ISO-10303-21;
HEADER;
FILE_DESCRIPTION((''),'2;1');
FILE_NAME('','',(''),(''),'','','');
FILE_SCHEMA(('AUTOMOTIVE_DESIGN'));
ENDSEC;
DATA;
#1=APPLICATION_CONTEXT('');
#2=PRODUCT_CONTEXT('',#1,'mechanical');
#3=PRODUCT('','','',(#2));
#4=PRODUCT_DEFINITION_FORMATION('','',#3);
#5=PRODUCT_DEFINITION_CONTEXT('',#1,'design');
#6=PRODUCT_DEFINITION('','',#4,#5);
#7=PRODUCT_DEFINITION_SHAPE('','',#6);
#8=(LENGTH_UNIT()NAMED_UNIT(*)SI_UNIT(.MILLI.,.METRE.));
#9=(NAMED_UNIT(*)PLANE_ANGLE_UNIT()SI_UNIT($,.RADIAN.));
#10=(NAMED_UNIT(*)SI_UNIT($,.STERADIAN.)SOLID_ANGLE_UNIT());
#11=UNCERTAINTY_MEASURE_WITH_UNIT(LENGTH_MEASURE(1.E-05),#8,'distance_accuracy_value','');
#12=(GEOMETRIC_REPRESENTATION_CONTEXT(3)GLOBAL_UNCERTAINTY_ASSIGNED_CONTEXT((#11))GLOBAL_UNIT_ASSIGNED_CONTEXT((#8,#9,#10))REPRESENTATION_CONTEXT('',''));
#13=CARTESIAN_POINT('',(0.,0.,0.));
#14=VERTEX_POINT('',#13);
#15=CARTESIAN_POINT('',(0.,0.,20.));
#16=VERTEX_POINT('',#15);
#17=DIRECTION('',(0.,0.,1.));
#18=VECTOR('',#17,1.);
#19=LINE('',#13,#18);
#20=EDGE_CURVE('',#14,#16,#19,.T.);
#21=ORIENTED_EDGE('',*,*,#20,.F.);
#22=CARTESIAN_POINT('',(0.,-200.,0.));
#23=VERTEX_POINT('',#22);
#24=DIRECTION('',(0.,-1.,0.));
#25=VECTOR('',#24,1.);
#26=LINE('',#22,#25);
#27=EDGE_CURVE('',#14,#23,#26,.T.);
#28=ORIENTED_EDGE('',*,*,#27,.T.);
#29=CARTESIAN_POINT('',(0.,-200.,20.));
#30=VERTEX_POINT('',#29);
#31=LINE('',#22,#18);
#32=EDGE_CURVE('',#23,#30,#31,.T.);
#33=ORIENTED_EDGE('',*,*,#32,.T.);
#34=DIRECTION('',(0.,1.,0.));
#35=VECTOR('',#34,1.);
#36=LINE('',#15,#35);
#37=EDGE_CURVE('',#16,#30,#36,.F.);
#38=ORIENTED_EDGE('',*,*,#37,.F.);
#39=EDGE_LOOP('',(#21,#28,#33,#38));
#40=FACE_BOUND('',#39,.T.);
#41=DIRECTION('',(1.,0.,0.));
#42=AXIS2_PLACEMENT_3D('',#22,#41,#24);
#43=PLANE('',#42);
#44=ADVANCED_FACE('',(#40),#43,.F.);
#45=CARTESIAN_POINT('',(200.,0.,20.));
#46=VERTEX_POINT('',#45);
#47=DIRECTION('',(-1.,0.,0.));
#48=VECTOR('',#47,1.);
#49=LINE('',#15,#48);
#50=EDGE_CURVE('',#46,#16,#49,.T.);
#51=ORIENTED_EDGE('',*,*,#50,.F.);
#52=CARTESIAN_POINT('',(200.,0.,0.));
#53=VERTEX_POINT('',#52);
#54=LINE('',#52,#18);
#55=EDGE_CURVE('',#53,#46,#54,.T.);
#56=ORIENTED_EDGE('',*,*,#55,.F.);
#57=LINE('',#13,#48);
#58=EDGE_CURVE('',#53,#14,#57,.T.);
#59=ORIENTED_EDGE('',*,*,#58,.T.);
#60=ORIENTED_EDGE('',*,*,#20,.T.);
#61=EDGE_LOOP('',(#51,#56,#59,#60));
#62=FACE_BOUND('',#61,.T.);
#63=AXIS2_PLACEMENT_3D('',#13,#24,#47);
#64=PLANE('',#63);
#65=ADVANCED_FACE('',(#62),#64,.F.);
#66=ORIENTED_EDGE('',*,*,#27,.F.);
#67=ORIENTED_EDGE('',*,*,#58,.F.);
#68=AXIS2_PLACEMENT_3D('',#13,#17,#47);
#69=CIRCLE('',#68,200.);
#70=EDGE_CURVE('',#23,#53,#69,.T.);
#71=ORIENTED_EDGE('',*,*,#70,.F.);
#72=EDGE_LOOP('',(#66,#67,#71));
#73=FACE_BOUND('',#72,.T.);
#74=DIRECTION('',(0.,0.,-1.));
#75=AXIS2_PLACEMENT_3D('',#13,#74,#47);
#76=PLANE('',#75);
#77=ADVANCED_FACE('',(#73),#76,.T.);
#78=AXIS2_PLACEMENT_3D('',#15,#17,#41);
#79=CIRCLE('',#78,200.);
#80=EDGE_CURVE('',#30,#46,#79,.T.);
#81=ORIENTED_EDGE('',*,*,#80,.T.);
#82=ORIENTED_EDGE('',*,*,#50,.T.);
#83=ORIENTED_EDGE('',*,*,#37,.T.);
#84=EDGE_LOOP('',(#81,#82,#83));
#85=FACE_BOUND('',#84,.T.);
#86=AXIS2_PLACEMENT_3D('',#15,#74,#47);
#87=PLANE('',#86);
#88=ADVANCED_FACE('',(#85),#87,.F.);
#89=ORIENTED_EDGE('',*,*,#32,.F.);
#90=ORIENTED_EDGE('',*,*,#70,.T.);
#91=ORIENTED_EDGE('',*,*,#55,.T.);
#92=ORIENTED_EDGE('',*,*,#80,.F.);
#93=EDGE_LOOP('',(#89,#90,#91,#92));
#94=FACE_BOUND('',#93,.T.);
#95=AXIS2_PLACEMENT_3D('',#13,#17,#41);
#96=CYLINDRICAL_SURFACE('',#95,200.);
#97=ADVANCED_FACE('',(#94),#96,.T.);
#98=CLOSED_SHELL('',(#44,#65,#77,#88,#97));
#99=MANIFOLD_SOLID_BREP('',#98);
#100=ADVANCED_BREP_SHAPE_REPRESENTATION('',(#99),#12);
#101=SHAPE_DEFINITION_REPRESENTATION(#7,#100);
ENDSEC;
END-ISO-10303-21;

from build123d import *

# Parameters (mm, degrees)
THICKEN2_T1 = 20


with BuildPart() as body_1:
    # Sketch1 → Surface-Plane1: a flat surface bounded by the sketch
    with BuildSketch(Plane.XY, mode=Mode.PRIVATE) as surface_plane1_1_region:
        with BuildLine():
            Line((0, -200), (0, 0))
            Line((0, 0), (200, 0))
            ThreePointArc((200, 0), (141.421356237, -141.421356237), (0, -200))
        make_face()
    surface_plane1_1 = surface_plane1_1_region.sketch.faces()[0]
    add(Solid.thicken(surface_plane1_1, THICKEN2_T1))


solid = body_1.part
